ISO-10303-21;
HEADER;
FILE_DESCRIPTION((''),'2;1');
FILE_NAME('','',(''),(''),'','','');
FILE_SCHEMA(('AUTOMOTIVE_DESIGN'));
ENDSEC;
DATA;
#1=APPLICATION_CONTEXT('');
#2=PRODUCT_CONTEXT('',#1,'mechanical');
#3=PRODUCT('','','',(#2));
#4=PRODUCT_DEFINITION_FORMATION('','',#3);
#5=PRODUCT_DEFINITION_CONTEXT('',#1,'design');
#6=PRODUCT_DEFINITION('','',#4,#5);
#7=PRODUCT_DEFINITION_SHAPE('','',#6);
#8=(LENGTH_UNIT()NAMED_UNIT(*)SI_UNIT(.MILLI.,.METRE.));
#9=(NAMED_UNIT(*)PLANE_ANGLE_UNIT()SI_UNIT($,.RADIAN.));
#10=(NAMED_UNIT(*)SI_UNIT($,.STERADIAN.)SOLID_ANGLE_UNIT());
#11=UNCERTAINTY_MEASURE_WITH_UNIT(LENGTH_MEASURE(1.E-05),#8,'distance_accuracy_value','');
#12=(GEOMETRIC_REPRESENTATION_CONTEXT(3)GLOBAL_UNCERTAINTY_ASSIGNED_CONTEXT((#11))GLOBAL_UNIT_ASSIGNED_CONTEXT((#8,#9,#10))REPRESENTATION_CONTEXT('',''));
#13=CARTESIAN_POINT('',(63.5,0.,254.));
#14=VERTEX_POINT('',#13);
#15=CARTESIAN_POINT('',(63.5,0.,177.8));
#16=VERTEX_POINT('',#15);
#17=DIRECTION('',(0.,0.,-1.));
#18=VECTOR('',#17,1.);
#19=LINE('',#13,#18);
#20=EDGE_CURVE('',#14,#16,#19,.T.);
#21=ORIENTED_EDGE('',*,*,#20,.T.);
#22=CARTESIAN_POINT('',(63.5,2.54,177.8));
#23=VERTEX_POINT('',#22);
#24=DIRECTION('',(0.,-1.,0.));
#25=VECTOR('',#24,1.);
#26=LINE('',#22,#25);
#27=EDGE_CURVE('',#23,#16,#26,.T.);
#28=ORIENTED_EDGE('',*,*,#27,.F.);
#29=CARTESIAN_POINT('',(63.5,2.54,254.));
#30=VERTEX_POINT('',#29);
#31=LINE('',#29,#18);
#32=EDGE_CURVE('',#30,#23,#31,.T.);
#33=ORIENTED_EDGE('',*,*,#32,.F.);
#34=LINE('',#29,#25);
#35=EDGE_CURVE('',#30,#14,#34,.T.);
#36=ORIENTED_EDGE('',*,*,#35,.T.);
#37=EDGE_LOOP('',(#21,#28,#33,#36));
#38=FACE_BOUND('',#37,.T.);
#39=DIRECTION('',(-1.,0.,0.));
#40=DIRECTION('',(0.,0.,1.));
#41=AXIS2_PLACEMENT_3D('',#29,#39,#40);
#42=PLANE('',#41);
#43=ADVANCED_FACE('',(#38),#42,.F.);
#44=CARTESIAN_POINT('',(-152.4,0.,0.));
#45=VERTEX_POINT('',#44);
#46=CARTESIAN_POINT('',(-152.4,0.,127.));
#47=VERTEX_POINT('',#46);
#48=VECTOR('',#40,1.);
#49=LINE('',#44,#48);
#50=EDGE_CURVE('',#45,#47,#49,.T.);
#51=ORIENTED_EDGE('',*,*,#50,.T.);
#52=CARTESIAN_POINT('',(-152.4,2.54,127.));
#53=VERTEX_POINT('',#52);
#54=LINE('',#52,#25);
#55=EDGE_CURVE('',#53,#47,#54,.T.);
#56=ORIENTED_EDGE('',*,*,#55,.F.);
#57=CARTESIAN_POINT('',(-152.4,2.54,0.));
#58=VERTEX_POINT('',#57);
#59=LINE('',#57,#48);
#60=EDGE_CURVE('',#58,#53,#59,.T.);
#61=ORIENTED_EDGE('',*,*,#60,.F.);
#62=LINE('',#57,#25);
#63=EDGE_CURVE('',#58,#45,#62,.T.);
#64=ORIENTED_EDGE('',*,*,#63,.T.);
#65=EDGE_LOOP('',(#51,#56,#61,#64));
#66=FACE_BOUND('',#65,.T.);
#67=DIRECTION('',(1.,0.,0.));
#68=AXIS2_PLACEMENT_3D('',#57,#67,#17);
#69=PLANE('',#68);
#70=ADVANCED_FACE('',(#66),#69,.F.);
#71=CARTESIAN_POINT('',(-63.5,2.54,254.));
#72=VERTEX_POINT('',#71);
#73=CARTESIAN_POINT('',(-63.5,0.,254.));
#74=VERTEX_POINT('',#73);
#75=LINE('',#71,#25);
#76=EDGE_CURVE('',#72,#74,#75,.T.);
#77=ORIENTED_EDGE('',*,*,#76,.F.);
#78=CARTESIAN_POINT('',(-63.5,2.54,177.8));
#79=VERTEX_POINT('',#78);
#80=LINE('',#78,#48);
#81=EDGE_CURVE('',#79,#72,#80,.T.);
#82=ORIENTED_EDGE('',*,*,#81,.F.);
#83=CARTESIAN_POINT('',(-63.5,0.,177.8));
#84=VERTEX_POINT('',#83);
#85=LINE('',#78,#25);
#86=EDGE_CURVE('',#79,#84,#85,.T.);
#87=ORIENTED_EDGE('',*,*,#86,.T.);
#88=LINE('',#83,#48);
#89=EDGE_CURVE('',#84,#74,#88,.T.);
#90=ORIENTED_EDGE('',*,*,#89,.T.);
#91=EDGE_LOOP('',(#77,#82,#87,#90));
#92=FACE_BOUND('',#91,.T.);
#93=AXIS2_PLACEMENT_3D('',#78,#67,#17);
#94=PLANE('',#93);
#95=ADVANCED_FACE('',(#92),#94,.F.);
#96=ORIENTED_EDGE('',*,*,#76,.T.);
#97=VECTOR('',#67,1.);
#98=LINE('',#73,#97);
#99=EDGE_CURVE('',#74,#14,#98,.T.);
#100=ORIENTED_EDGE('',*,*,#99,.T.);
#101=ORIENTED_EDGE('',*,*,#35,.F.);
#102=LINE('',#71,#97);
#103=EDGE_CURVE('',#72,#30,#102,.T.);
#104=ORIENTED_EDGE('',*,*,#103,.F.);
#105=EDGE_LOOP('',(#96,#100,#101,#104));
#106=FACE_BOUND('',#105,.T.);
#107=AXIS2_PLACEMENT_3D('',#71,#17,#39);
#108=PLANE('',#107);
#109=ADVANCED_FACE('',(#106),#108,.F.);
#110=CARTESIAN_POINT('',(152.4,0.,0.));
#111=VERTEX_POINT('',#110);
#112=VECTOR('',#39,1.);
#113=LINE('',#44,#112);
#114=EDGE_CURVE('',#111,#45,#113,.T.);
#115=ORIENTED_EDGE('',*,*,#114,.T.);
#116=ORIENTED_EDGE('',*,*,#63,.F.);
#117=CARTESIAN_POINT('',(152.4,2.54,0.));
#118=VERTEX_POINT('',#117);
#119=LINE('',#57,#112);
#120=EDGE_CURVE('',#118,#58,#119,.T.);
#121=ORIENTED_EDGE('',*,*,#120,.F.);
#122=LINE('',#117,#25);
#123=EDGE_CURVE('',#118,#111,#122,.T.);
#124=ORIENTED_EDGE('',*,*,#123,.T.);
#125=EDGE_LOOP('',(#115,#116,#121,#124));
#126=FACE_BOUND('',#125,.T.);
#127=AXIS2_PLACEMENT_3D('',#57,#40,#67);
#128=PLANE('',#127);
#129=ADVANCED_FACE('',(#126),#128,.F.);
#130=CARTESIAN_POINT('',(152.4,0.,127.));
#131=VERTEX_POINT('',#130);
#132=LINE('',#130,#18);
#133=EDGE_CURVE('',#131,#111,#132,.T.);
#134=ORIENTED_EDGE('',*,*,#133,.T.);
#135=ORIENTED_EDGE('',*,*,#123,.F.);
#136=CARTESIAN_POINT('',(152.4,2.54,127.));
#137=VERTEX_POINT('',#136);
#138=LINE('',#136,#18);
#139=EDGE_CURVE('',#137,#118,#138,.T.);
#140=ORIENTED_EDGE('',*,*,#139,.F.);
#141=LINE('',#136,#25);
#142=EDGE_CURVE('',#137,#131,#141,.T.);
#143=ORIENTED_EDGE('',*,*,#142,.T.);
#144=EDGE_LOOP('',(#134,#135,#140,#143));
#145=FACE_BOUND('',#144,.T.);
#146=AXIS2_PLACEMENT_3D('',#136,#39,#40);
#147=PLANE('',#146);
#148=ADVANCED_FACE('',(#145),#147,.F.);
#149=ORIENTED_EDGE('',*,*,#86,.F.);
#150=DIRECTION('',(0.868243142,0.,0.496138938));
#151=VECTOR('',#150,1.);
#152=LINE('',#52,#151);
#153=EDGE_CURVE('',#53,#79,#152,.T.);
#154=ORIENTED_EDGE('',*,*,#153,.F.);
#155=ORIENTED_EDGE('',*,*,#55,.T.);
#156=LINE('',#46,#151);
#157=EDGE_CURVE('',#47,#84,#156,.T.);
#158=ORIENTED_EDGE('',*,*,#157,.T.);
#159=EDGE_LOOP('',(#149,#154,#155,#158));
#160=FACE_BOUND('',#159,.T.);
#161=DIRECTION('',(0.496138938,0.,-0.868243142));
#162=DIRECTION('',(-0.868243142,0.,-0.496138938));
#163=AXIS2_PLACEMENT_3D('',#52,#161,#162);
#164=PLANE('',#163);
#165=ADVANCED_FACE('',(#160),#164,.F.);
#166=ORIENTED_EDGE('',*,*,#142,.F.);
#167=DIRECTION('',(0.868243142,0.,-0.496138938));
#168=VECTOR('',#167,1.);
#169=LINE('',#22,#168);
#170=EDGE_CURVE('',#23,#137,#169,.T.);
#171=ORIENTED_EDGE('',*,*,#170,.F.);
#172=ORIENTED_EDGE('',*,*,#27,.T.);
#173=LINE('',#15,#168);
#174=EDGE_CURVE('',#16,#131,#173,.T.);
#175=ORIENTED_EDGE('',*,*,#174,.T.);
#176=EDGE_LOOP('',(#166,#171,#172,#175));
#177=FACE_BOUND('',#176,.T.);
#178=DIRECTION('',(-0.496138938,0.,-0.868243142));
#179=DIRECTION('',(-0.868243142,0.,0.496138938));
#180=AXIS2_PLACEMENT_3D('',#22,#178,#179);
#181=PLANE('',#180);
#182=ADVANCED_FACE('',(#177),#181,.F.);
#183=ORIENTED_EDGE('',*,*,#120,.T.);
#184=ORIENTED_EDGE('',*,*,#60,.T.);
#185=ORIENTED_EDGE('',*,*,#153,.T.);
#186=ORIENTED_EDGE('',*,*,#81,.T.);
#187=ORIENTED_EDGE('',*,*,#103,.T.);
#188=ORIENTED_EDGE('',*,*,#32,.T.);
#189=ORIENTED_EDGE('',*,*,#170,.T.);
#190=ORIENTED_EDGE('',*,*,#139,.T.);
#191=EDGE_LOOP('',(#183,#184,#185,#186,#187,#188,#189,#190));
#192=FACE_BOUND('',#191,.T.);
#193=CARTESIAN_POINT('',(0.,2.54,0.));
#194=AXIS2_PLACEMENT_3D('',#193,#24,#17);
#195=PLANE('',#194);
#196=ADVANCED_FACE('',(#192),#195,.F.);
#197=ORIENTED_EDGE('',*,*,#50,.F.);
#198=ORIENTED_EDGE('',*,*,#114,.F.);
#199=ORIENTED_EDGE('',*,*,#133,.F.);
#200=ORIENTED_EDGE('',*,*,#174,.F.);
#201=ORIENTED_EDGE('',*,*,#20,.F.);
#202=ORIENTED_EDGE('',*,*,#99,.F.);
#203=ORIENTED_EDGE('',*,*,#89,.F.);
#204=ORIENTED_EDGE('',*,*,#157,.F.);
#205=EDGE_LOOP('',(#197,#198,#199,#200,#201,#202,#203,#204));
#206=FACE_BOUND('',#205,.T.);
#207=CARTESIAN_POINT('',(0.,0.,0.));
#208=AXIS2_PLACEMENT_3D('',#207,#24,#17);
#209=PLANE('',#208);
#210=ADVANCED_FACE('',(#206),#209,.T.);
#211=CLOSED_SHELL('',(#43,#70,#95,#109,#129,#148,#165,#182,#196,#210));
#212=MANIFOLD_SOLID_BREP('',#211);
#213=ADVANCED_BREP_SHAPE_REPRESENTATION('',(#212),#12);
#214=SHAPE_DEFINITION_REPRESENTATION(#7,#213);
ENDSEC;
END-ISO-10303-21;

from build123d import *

# Parameters (mm, degrees)
BOSS_EXTRUDE1_DEPTH = 2.54


with BuildPart() as part:
    # Sketch1 → Boss-Extrude1 (new body)
    with BuildSketch(Plane(origin=(0, 0, 0), x_dir=(1, 0, 0), z_dir=(0, 1, 0))):
        Polygon((-152.4, 0), (152.4, 0), (152.4, -127), (63.5, -177.8), (63.5, -254), (-63.5, -254), (-63.5, -177.8), (-152.4, -127), align=None)
    extrude(amount=BOSS_EXTRUDE1_DEPTH)


solid = part.part
